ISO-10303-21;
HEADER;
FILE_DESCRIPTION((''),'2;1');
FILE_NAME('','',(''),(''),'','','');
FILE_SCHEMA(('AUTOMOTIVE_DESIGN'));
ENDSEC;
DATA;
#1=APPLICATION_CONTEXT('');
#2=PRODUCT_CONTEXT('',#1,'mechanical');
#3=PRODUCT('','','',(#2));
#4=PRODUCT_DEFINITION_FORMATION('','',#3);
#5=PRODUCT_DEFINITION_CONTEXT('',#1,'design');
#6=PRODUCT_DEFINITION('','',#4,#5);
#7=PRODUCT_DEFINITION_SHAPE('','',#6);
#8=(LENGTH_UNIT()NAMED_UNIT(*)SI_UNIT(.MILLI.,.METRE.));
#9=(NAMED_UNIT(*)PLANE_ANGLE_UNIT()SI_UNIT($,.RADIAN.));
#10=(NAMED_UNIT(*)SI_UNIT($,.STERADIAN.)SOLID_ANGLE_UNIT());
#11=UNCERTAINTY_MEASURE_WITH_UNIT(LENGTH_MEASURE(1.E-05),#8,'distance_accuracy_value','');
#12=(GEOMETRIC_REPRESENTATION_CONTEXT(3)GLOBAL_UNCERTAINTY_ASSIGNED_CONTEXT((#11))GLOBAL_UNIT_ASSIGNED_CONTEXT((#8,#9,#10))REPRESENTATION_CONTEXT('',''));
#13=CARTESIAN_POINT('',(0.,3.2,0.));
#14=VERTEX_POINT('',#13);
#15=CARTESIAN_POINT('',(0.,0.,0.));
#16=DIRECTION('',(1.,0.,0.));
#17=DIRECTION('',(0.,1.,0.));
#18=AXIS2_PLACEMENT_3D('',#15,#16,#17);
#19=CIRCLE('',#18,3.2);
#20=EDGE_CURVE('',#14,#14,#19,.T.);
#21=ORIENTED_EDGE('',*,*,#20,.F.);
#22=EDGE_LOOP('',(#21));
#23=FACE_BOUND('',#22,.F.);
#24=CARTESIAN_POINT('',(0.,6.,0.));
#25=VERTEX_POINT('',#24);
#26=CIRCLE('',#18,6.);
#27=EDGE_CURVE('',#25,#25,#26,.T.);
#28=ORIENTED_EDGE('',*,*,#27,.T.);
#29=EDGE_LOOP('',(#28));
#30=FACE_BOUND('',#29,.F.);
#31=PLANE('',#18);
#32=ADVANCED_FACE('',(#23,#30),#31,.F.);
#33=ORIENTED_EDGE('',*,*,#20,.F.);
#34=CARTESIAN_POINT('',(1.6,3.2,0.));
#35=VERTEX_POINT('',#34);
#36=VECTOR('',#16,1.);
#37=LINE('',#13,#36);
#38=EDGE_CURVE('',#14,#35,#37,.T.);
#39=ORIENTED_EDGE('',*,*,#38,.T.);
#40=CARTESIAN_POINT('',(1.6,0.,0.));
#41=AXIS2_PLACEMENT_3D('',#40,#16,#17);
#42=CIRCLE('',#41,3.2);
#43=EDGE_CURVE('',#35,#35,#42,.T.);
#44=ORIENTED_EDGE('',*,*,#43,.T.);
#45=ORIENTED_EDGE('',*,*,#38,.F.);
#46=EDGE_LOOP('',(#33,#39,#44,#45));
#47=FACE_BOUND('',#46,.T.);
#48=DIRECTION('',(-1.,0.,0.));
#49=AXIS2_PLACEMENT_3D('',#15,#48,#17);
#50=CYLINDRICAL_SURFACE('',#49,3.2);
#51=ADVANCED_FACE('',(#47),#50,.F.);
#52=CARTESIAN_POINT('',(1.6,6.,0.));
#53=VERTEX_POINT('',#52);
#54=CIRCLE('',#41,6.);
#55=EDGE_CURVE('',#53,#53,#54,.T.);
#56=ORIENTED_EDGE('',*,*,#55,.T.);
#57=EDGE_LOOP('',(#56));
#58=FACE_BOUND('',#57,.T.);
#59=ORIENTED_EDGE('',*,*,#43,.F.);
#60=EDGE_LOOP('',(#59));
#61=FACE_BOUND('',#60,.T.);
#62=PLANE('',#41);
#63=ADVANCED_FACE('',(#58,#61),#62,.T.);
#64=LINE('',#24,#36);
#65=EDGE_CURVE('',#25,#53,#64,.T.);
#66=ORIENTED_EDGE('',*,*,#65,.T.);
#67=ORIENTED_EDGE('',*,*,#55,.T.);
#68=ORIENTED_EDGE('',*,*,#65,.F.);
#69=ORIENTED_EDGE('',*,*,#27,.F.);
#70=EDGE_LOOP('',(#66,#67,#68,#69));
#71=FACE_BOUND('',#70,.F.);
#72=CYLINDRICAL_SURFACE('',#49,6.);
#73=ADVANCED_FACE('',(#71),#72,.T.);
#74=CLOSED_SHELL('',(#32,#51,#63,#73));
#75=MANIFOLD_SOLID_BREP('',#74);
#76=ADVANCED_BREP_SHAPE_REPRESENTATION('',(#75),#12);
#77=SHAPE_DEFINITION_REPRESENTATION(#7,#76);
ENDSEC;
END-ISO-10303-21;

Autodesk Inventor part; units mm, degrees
ref_plane "YZ Plane" through (0, 0, 0) normal (1, 0, 0) x (0, 1, 0)
ref_plane "XZ Plane" through (0, 0, 0) normal (0, 1, 0) x (-1, 0, 0)
sketch "Sketch" plane through (0, 0, 0) normal (1, 0, 0) x (0, 1, 0)
  circle A0 centre (0, 0) radius 6
  circle A1 centre (0, 0) radius 3.2
  dimension "d0" = 6.4
  dimension "d1" = 12
extrude "Body" add sketch "Sketch" along normal blind 1.6
ref_plane "Work Plane1" through (0, 0, 0) normal (0, 0, 1) x (1, 0, 0)
equation "\"d0\" = SD1"
equation "\"d1\" = SD2"
equation "\"d2\" = SD"
equation "\"SD1\" = 6.4"
equation "\"SD2\" = 12"
equation "\"SD\" = 1.6"
equation "\"NND\" = 6"
properties part number "ISO 7089 - 6 - 140 HV" material "Steel"
